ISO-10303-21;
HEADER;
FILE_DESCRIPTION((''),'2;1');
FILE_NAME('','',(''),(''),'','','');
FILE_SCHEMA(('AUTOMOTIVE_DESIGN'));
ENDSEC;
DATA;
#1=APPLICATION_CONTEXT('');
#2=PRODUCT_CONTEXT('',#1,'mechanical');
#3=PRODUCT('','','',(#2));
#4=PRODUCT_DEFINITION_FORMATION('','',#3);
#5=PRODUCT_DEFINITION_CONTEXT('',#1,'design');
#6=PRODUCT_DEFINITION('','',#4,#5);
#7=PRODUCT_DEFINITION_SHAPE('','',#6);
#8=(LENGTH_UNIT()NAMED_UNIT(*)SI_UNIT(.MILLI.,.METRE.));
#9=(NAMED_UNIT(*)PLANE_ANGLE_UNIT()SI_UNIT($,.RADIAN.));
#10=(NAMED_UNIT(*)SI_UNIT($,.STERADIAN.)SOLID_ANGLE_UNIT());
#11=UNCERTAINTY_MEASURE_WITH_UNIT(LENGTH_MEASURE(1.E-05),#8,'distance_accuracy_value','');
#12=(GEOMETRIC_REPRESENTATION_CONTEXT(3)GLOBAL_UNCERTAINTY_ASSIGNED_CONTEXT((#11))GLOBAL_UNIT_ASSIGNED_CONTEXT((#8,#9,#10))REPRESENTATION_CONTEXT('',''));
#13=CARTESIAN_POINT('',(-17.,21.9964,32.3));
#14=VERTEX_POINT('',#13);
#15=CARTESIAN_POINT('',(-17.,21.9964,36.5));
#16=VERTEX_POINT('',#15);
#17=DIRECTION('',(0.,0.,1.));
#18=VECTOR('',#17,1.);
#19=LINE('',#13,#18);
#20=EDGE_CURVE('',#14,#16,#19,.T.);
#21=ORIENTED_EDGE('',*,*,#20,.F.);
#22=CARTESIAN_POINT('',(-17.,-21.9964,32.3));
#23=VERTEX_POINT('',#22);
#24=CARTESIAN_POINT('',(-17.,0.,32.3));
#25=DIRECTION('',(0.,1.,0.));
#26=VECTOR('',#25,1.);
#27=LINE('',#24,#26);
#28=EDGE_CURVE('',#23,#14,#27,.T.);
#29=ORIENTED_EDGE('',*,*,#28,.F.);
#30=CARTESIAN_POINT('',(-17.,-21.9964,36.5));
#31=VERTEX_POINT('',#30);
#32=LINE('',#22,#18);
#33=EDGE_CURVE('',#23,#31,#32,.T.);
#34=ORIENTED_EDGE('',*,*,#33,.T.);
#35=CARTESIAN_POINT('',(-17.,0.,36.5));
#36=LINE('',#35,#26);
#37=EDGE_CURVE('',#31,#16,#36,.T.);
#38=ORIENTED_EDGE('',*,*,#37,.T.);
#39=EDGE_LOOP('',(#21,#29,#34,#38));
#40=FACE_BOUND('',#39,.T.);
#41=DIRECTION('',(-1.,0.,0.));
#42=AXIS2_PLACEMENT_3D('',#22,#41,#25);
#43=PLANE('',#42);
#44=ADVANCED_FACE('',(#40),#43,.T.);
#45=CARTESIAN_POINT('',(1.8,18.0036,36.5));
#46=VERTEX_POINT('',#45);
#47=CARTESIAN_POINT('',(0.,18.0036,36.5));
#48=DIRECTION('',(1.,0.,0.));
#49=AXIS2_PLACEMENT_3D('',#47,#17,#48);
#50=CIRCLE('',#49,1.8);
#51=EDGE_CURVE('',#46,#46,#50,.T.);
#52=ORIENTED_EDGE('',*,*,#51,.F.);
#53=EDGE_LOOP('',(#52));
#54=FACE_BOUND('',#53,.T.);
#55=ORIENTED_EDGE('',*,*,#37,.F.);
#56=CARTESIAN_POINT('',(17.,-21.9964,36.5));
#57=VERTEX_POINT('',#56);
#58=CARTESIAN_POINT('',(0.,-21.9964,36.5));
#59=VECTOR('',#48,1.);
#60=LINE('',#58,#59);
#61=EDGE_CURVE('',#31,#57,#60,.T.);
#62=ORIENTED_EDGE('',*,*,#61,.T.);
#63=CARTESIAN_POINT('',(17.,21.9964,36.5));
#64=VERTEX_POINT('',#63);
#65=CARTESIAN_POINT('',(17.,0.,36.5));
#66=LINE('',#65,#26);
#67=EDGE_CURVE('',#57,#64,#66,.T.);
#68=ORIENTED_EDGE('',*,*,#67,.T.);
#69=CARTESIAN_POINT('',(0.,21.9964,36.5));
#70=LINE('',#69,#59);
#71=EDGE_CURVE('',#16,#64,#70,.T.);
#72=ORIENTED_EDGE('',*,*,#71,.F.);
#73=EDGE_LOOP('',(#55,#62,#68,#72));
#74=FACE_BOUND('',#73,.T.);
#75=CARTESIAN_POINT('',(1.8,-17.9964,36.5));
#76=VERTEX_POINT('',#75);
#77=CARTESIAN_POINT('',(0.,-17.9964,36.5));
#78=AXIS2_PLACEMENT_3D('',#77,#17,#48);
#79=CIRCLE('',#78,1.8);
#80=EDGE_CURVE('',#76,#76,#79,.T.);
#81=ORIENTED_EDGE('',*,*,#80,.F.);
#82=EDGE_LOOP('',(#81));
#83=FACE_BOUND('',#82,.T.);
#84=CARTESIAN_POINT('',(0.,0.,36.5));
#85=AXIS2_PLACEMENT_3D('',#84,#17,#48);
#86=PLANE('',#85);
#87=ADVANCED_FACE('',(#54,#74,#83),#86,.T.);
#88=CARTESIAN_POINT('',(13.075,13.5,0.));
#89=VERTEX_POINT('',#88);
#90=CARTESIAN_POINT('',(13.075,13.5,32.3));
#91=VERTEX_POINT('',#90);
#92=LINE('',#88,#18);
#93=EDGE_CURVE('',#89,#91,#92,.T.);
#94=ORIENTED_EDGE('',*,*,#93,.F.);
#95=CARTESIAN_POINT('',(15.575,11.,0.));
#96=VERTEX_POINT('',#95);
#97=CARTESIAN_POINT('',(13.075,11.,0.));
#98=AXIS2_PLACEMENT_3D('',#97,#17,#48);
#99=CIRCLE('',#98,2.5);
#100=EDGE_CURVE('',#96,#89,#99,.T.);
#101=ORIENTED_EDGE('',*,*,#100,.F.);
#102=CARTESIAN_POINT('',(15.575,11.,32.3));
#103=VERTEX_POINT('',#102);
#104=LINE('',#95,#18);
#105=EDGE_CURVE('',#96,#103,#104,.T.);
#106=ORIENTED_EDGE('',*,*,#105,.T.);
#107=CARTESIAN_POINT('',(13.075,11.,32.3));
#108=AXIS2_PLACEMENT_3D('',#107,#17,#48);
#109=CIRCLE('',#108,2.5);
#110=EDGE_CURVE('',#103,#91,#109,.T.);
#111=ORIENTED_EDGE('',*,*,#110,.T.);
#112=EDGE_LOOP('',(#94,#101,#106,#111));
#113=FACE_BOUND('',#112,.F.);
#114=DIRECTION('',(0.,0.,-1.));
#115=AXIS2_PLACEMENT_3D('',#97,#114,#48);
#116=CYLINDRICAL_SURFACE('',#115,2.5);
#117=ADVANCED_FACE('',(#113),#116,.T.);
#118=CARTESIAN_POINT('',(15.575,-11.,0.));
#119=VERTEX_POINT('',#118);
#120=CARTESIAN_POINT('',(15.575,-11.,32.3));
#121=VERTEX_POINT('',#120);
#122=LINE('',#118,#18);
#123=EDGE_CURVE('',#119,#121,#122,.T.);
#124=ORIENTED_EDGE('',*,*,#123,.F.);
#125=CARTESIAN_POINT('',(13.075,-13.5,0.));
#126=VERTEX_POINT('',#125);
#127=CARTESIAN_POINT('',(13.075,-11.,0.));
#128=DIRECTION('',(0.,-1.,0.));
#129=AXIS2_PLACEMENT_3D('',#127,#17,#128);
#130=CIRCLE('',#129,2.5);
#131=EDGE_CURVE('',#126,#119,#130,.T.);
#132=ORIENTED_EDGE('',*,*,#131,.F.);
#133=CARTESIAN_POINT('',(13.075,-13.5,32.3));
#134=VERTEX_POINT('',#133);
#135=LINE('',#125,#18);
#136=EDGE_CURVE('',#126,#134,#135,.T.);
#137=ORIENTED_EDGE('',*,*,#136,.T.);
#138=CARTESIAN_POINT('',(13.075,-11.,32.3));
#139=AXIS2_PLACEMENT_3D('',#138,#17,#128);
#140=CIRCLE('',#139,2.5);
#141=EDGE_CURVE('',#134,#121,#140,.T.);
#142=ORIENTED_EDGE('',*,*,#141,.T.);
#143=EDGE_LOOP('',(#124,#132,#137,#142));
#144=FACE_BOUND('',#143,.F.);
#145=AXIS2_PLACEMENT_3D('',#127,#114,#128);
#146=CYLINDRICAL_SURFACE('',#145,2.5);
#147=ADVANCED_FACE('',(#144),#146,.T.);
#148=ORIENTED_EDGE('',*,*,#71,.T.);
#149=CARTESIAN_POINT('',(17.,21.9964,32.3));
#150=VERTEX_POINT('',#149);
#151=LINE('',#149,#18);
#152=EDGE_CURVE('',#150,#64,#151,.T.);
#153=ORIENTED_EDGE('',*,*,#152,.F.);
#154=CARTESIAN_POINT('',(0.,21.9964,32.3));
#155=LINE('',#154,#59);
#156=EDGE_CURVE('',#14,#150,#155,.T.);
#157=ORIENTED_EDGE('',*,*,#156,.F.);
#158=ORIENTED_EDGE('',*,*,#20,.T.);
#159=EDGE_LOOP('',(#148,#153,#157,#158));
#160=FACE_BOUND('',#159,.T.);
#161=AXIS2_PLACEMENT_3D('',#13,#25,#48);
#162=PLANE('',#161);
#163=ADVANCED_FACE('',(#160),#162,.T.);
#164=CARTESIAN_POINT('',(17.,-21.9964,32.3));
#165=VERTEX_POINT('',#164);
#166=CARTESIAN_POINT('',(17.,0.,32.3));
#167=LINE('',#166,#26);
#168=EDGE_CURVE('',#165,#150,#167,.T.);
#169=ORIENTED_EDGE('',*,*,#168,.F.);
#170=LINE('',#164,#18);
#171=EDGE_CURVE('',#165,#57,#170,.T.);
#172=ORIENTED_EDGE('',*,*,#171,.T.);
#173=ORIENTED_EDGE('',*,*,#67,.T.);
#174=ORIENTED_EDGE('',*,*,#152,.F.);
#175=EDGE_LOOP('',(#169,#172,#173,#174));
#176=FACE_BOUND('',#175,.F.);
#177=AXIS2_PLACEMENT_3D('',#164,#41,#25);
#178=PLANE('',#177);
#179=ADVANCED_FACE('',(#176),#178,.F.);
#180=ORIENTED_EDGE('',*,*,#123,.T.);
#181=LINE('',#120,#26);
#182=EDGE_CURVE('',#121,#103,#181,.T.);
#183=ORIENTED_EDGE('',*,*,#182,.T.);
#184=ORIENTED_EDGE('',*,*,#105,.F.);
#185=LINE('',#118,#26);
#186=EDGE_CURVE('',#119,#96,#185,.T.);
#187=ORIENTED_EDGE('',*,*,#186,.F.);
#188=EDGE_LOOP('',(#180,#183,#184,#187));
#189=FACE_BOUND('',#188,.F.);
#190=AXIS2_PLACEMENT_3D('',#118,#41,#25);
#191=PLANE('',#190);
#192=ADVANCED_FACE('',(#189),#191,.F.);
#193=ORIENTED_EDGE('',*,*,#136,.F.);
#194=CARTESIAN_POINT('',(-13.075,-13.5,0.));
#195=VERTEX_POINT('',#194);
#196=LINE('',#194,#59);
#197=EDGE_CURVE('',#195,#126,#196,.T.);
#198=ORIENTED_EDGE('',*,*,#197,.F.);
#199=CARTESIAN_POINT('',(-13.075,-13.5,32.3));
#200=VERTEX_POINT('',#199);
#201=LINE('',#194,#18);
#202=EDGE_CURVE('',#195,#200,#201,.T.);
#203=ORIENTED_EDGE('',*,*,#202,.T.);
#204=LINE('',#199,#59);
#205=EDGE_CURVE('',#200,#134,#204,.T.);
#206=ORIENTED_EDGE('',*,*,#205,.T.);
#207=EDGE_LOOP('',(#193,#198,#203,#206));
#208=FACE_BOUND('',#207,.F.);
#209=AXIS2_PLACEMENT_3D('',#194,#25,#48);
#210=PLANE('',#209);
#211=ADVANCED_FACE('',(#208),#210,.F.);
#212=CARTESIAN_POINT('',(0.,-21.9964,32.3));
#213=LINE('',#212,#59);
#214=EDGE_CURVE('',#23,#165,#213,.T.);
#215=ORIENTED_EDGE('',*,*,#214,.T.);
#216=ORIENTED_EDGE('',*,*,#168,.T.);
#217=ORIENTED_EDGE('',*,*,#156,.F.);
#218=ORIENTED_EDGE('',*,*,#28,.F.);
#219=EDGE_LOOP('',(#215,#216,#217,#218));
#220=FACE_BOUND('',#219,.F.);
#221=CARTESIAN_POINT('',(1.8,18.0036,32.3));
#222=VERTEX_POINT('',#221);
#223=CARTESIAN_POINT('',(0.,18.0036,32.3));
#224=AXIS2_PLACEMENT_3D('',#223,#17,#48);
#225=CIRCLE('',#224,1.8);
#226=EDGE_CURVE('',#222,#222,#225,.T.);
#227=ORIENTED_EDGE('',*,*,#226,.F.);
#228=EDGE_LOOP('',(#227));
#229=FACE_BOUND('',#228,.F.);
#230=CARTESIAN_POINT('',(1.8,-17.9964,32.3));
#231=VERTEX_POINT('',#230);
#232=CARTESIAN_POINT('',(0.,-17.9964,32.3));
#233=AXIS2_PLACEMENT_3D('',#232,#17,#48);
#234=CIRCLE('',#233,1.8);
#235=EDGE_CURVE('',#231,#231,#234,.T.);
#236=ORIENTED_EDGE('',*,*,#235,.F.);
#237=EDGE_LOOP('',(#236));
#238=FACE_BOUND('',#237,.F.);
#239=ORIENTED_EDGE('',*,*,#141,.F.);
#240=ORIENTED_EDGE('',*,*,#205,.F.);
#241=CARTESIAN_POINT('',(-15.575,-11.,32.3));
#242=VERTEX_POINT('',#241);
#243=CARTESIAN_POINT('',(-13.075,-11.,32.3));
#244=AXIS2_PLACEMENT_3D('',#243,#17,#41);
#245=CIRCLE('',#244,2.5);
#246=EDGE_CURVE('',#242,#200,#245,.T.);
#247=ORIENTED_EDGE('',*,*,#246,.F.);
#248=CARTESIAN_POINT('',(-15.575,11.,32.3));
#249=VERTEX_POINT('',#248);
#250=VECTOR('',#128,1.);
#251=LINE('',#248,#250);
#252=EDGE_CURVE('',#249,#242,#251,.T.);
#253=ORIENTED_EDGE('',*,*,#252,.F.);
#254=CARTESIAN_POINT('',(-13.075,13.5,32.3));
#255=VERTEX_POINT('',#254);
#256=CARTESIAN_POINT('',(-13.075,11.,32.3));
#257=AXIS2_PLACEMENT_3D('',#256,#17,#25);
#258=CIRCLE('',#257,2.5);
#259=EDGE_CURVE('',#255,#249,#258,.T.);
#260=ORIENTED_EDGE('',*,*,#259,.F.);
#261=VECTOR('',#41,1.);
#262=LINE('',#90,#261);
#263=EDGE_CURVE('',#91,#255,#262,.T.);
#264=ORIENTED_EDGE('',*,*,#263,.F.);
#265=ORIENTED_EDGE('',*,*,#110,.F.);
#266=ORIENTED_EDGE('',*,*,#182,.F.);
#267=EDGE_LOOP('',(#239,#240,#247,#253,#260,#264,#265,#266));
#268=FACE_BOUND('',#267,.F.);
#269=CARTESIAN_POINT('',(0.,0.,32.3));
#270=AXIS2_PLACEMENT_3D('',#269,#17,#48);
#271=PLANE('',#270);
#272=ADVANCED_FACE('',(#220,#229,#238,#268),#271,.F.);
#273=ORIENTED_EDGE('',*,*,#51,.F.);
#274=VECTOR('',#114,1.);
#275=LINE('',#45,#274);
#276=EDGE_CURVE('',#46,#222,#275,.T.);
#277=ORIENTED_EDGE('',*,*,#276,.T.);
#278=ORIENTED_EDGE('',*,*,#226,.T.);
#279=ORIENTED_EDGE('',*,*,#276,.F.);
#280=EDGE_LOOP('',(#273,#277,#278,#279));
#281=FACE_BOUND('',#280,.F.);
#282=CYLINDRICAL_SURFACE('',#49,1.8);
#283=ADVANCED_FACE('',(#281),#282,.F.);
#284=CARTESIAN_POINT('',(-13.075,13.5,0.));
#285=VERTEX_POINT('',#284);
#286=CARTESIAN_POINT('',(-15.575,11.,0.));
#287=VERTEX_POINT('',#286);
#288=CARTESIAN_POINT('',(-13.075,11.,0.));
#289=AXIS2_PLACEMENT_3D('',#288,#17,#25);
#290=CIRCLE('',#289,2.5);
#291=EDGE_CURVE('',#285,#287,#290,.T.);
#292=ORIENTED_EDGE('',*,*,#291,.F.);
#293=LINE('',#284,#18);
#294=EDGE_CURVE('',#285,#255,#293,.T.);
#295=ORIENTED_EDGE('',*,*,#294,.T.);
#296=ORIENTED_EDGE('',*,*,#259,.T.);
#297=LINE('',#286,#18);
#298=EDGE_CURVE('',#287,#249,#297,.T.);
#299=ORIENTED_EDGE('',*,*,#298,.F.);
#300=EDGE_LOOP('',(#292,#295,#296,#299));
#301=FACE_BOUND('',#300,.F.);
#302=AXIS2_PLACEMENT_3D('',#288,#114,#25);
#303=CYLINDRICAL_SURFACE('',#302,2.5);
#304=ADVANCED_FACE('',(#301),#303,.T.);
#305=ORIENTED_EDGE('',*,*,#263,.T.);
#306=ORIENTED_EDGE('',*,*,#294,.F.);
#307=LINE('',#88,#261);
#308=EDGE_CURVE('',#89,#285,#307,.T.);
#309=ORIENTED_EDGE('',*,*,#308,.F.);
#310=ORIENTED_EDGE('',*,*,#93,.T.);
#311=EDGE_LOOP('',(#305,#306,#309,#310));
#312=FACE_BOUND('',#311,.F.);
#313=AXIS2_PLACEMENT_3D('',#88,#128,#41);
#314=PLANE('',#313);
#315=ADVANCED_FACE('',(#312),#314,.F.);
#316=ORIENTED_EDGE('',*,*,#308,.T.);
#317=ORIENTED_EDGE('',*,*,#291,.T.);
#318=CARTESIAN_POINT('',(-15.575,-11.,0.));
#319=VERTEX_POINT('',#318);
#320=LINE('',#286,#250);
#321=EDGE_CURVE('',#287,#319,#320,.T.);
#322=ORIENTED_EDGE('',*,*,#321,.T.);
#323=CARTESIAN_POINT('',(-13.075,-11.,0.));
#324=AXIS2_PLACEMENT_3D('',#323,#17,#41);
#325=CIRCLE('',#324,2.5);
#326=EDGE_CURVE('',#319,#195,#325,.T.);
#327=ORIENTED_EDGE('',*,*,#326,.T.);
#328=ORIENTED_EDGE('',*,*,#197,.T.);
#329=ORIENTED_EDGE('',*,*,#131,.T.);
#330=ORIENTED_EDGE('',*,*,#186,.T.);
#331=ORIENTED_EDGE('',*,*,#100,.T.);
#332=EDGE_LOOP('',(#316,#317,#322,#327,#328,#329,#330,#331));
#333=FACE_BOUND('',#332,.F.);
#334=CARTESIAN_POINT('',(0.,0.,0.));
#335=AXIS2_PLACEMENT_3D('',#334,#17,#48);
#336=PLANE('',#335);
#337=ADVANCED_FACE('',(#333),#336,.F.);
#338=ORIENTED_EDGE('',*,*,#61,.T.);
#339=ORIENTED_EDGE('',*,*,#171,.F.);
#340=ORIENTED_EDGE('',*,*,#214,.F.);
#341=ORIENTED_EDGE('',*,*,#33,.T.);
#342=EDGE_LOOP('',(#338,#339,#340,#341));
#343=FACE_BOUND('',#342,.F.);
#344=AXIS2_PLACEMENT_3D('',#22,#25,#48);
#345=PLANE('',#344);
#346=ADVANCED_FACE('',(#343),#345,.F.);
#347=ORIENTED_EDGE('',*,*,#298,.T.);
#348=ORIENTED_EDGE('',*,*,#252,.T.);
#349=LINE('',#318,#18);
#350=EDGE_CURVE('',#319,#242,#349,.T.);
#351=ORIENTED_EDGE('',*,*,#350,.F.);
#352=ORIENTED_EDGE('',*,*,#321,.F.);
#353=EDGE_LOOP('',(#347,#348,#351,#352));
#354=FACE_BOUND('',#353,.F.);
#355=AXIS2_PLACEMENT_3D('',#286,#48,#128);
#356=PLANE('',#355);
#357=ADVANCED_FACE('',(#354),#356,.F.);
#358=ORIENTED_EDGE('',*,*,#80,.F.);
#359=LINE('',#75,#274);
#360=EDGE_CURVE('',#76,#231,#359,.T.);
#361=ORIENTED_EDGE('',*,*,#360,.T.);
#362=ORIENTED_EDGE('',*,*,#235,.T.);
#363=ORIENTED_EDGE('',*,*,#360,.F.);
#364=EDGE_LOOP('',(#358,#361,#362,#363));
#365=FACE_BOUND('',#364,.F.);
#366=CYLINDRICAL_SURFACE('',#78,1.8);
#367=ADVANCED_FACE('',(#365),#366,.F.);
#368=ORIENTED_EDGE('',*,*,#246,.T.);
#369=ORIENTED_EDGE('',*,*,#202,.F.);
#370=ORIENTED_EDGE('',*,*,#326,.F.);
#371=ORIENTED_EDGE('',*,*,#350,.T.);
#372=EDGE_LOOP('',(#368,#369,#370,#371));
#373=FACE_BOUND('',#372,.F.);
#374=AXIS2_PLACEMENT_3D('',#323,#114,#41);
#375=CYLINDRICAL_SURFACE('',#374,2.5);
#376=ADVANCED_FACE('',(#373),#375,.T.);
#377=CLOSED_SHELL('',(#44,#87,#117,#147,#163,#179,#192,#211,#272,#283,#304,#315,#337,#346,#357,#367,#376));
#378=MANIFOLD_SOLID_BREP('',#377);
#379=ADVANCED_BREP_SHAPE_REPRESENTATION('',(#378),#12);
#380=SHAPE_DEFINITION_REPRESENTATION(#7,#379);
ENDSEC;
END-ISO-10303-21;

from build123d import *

# Parameters (mm, degrees)
F1_DEPTH = 32.3
F2_W     = 34
F2_H     = 43.9928
F3_DEPTH = 4.2
F4_R     = 1.8
F5_DEPTH = 25.4


with BuildPart() as f1:
    # F0 (on Top) → F1 (new body)
    with BuildSketch(Plane.XY):
        with BuildLine():
            Line((-13.075, -13.5), (13.075, -13.5))
            ThreePointArc((13.075, -13.5), (14.842766953, -12.767766953), (15.575, -11))
            Line((15.575, -11), (15.575, 11))
            ThreePointArc((15.575, 11), (14.842766953, 12.767766953), (13.075, 13.5))
            Line((13.075, 13.5), (-13.075, 13.5))
            ThreePointArc((-13.075, 13.5), (-14.842766953, 12.767766953), (-15.575, 11))
            Line((-15.575, 11), (-15.575, -11))
            ThreePointArc((-15.575, -11), (-14.842766953, -12.767766953), (-13.075, -13.5))
        make_face()
    extrude(amount=F1_DEPTH)

    # F2 (on face) → F3 (join)
    with BuildSketch(Plane.XY.offset(32.3)):
        Rectangle(F2_W, F2_H)
        with BuildLine():
            Line((-15.575, -11), (-15.575, 11))
            ThreePointArc((-15.575, 11), (-14.842766953, 12.767766953), (-13.075, 13.5))
            Line((-13.075, 13.5), (13.075, 13.5))
            ThreePointArc((13.075, 13.5), (14.842766953, 12.767766953), (15.575, 11))
            Line((15.575, 11), (15.575, -11))
            ThreePointArc((15.575, -11), (14.842766953, -12.767766953), (13.075, -13.5))
            Line((13.075, -13.5), (-13.075, -13.5))
            ThreePointArc((-13.075, -13.5), (-14.842766953, -12.767766953), (-15.575, -11))
        make_face(mode=Mode.SUBTRACT)
        with BuildLine():
            ThreePointArc((-13.075, 13.5), (-14.842766953, 12.767766953), (-15.575, 11))
            Line((-15.575, 11), (-15.575, -11))
            ThreePointArc((-15.575, -11), (-14.842766953, -12.767766953), (-13.075, -13.5))
            Line((-13.075, -13.5), (13.075, -13.5))
            ThreePointArc((13.075, -13.5), (14.842766953, -12.767766953), (15.575, -11))
            Line((15.575, -11), (15.575, 11))
            ThreePointArc((15.575, 11), (14.842766953, 12.767766953), (13.075, 13.5))
            Line((13.075, 13.5), (-13.075, 13.5))
        make_face()
    extrude(amount=F3_DEPTH)

    # F4 (on face) → F5 (cut)
    with BuildSketch(Plane.XY.offset(36.5)):
        with Locations((0, 18.0036)):
            Circle(F4_R)
        with Locations((0, -17.9964)):
            Circle(F4_R)
    extrude(amount=-F5_DEPTH, mode=Mode.SUBTRACT)


solid = f1.part
